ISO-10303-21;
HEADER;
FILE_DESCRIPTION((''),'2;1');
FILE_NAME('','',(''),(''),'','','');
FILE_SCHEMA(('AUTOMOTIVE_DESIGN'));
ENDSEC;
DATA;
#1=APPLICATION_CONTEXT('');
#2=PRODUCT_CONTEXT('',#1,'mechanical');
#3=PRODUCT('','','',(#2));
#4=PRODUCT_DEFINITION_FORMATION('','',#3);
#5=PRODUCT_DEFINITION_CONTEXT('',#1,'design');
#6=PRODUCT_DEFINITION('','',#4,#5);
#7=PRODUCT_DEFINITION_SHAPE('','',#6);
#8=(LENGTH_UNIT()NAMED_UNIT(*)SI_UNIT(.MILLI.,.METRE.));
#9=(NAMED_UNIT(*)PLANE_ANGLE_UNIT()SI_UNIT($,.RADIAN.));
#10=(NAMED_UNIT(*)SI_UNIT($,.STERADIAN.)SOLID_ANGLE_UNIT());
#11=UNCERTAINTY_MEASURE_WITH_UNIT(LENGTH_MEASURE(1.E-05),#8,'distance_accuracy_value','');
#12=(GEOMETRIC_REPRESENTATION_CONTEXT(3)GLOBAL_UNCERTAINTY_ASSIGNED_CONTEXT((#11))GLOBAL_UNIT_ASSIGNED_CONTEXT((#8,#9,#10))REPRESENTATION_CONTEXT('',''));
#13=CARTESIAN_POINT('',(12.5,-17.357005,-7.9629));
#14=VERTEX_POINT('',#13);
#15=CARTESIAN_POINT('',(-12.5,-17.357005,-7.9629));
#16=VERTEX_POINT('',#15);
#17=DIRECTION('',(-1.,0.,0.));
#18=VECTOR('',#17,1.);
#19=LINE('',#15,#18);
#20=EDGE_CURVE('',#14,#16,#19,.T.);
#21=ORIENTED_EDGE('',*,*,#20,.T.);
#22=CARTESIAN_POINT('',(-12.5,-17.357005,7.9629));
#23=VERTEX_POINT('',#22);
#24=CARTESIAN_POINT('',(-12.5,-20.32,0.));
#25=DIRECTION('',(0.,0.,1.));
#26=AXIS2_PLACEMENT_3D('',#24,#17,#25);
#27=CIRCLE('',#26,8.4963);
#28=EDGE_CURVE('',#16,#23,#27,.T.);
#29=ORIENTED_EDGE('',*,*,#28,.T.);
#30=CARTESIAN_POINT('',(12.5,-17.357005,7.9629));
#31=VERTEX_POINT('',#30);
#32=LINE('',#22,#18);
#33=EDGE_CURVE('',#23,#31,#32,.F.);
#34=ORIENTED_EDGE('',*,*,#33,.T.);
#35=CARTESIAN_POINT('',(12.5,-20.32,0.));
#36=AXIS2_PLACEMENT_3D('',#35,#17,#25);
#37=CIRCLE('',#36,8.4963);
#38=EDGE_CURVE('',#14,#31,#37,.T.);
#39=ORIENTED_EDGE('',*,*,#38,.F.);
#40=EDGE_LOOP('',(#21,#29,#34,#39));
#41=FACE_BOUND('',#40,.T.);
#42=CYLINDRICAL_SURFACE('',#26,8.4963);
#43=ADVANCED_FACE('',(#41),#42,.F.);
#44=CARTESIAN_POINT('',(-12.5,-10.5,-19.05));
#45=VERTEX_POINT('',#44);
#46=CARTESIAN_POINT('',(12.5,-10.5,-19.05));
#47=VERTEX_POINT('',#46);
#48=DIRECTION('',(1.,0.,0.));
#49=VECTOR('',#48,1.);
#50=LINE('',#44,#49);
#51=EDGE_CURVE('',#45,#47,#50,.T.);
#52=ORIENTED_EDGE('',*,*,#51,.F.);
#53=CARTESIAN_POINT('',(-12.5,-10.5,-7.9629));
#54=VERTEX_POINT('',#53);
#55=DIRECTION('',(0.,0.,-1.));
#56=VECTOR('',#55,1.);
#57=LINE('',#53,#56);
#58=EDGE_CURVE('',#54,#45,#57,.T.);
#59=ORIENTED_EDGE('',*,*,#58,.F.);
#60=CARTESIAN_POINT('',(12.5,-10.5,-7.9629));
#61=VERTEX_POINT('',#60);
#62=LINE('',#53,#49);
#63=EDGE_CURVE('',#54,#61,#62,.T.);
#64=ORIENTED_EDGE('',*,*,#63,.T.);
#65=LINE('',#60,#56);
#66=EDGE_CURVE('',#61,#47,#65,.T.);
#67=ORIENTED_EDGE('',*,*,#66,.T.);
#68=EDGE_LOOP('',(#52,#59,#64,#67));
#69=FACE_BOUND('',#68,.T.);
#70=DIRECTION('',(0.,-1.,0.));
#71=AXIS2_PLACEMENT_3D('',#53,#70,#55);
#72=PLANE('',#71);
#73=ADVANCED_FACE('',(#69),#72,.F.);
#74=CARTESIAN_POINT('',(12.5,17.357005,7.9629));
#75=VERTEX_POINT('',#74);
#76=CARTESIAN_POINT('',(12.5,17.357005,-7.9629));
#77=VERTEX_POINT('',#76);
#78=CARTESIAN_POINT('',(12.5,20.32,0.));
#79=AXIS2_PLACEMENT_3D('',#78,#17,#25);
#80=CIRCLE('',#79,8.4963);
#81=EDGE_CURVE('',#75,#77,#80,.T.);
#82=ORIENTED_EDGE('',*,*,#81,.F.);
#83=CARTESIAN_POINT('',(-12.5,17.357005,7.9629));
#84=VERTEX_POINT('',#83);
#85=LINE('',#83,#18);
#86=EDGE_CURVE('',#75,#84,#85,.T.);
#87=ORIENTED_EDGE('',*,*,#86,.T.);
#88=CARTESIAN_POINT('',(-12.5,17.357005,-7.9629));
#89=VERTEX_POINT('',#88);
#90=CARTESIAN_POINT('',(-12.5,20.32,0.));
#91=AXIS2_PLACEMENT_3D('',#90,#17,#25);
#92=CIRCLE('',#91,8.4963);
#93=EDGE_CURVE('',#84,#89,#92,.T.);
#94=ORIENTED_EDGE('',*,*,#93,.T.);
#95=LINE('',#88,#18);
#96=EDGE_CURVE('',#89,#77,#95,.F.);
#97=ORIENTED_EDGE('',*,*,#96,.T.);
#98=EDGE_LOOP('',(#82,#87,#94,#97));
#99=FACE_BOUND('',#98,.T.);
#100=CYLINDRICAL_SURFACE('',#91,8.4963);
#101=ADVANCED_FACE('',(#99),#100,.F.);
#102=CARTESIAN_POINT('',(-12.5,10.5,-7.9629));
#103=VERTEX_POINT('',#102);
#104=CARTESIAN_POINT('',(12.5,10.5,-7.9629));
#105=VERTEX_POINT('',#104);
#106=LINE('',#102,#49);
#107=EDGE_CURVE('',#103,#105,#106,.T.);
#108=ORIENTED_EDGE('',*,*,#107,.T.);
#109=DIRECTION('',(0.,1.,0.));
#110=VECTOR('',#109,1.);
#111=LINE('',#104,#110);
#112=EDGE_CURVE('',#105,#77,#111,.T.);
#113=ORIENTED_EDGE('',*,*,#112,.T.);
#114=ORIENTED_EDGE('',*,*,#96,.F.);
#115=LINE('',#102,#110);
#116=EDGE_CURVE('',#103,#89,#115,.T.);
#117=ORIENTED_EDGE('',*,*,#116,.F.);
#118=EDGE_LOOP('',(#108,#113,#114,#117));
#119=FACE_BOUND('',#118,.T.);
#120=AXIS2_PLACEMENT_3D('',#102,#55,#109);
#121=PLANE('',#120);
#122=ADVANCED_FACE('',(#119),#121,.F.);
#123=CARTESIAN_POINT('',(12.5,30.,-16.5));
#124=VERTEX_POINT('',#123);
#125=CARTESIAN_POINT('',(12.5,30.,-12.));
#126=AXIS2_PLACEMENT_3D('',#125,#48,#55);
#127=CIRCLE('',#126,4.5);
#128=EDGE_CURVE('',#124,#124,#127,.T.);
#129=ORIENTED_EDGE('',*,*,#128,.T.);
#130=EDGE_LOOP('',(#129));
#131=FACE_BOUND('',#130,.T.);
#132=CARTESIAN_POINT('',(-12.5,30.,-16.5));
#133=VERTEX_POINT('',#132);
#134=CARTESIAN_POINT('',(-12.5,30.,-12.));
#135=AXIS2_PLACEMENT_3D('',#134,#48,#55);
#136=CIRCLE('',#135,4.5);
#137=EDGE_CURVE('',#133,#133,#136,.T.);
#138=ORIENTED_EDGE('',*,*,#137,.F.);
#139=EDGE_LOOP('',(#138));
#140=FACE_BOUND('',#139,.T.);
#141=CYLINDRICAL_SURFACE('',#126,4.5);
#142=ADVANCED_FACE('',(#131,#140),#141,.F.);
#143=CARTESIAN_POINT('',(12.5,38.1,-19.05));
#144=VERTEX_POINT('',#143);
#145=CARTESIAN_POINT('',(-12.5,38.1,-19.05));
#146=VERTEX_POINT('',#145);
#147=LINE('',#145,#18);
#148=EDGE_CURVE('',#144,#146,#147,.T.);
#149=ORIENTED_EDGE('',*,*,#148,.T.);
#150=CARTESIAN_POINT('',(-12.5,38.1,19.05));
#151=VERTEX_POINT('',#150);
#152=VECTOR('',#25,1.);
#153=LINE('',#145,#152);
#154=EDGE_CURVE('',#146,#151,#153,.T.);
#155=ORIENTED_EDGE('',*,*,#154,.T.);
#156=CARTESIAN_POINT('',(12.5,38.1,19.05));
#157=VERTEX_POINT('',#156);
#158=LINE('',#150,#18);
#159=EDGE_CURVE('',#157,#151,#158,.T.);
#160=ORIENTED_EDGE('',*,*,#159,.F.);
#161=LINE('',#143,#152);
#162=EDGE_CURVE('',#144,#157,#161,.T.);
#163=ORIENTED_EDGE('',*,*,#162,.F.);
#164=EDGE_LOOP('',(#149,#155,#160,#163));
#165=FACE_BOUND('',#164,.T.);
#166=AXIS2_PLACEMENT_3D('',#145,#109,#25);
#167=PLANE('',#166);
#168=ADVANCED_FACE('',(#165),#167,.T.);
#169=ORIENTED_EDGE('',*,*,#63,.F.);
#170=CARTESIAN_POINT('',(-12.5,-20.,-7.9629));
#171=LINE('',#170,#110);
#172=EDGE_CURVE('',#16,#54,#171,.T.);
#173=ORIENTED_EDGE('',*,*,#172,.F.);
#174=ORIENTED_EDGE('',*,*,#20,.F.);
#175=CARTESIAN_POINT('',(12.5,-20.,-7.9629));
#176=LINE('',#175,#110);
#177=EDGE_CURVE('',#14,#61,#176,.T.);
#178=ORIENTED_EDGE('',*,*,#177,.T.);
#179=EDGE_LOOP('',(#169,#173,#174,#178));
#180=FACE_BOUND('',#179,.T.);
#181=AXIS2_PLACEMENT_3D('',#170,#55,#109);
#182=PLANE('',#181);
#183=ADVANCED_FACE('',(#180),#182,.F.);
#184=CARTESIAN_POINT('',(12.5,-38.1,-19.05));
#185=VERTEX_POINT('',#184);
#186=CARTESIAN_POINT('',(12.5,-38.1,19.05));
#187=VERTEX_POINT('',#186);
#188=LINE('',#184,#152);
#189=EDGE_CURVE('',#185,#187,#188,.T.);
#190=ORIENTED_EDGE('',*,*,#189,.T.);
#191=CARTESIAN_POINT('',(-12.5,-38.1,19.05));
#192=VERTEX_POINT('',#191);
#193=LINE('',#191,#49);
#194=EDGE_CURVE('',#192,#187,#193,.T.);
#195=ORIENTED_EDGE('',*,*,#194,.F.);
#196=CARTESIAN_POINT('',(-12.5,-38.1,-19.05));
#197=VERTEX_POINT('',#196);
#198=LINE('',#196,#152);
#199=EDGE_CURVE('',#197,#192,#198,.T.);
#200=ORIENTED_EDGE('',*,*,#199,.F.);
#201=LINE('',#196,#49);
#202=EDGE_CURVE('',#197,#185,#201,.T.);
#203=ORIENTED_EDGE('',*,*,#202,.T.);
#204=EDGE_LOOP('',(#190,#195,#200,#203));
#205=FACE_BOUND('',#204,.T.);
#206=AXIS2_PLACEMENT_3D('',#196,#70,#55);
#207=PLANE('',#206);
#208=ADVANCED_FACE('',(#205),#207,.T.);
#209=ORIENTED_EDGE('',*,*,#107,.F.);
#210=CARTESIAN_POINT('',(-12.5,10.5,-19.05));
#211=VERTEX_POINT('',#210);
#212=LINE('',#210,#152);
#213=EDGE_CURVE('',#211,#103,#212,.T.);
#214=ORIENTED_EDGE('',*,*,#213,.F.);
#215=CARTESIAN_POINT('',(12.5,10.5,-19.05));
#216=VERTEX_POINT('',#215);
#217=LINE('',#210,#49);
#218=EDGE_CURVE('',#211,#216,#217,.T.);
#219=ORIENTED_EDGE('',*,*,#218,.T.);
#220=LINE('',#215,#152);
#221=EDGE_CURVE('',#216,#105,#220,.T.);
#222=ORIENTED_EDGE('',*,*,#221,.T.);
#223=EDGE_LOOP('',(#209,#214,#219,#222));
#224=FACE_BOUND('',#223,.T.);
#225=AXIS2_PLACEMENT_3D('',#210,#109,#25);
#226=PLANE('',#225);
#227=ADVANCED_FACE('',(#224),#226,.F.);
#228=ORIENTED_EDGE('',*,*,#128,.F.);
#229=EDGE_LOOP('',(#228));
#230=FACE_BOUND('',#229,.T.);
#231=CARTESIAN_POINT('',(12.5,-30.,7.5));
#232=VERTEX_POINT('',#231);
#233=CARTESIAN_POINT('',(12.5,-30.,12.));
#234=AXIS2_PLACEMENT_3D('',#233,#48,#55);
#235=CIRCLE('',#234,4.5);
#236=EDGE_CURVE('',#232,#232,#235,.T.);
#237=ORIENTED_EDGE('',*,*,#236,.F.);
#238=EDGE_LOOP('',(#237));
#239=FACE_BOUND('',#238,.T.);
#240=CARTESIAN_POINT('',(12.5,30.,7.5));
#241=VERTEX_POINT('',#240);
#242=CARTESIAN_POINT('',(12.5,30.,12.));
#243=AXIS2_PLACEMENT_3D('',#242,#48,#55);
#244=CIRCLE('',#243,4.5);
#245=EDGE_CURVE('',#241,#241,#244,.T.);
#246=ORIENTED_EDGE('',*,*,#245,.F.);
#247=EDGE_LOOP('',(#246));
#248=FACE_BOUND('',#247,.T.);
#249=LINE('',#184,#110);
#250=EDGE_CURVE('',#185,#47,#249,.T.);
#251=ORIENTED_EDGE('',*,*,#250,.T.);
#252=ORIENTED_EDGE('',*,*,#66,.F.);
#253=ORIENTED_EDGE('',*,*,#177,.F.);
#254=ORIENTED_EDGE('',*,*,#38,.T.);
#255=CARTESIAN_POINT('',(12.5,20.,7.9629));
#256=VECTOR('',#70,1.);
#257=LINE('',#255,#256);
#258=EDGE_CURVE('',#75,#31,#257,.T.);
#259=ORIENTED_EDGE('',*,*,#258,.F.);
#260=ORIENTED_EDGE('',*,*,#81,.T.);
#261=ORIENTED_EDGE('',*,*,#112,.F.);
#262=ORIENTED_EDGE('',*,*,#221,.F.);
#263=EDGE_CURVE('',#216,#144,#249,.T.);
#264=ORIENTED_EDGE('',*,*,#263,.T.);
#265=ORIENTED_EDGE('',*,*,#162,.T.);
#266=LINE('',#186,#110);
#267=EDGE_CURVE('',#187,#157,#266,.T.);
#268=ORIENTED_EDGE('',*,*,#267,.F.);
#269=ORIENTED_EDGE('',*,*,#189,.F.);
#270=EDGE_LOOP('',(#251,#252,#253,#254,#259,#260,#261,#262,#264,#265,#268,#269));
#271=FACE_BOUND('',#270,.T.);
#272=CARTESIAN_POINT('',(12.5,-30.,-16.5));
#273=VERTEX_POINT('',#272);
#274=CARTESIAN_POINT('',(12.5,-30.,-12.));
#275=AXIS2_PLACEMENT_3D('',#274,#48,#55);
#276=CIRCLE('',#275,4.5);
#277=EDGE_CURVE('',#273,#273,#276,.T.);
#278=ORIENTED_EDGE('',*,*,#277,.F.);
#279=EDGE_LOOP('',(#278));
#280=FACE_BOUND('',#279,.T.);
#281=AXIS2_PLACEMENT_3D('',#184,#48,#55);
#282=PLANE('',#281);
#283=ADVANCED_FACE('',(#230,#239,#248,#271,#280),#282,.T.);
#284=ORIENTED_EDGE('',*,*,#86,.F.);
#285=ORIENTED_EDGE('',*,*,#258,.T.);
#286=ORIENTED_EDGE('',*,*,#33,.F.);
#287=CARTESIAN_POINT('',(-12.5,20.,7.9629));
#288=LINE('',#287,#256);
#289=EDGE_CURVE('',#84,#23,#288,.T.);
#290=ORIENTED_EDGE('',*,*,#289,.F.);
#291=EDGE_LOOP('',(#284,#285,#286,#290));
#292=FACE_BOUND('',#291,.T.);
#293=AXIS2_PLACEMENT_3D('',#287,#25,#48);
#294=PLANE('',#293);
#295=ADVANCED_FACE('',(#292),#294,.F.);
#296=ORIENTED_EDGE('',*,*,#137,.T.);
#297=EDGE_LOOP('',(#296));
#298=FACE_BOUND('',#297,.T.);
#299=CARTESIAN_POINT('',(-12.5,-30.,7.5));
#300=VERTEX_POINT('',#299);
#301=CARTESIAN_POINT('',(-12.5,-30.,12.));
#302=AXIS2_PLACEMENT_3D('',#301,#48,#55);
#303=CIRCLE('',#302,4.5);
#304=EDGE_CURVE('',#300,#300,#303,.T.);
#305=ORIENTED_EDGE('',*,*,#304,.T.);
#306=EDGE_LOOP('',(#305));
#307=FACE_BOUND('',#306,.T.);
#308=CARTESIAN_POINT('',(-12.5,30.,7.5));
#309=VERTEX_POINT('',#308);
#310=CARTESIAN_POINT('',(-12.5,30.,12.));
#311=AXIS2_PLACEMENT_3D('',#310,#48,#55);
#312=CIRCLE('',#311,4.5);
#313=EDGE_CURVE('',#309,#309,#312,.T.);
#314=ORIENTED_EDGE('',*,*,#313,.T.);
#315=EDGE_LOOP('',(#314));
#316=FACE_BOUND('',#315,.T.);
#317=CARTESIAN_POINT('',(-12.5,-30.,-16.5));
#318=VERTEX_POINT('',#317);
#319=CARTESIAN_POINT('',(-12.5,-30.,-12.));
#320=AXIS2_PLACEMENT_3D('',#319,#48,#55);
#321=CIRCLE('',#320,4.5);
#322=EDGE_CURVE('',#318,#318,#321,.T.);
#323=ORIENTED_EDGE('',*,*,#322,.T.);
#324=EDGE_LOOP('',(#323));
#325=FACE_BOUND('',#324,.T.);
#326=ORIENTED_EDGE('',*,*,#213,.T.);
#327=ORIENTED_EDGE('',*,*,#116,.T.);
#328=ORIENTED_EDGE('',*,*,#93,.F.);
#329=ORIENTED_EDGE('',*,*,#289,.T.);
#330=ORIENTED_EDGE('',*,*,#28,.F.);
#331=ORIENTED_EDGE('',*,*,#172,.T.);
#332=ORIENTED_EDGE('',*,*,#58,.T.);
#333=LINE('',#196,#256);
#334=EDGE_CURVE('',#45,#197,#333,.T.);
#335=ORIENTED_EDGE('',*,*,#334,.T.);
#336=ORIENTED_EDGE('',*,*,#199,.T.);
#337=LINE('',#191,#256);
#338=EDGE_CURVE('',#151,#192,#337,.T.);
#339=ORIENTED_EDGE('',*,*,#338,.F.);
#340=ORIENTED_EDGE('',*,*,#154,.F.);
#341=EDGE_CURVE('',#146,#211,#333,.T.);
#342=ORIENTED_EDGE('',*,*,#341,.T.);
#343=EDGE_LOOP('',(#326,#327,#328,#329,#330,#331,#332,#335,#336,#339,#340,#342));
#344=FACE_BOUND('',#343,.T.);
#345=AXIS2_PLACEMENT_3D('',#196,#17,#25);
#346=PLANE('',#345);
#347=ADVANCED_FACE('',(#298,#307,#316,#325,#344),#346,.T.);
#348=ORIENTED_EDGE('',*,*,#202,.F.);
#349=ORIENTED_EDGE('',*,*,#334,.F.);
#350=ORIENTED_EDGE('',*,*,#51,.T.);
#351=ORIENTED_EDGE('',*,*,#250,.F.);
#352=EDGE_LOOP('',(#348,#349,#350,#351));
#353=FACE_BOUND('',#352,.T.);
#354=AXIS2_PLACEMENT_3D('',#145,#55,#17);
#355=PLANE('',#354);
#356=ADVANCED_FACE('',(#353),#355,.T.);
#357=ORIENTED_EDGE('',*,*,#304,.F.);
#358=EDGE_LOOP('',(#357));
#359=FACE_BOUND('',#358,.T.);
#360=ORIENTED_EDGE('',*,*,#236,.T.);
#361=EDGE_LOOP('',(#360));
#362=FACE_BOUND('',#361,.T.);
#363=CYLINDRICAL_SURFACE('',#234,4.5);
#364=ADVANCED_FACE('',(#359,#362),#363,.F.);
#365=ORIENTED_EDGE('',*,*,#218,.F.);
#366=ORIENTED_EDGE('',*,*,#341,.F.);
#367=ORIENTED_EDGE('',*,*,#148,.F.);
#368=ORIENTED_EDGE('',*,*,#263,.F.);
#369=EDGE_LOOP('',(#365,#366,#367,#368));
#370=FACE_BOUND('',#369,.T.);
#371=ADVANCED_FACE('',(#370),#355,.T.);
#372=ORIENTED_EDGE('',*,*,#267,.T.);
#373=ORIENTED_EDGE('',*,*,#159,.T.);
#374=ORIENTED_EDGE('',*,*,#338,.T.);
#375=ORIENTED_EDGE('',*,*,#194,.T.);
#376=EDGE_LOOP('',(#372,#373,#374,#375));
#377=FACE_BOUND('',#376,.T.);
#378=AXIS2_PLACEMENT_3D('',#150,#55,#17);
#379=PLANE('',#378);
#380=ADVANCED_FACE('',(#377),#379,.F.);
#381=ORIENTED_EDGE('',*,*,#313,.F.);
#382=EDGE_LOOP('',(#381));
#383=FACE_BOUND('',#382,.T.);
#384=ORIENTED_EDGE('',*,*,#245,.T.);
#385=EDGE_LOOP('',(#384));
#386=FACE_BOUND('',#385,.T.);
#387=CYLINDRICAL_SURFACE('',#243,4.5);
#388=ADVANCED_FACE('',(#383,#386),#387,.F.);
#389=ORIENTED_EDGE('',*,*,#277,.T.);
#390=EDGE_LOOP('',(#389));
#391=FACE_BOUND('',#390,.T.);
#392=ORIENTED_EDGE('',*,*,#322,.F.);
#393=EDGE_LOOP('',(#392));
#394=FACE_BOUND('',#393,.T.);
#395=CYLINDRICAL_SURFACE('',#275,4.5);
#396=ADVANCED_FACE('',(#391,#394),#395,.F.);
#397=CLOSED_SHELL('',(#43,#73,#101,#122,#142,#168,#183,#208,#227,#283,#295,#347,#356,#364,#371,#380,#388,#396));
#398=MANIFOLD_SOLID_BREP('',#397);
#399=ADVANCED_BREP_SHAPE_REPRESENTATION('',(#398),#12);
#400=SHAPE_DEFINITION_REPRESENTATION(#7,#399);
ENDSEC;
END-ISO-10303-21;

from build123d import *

# Parameters (mm, degrees)
SKETCH1_W             = 25
SKETCH1_H             = 76.2
EXTRUDE1_DEPTH        = 19.05
M16_CLEARANCE_HOLE1_D = 16.9926
EXTRUDE3_DEPTH        = 50.39142132
M8_CLEARANCE_HOLE1_D  = 9


with BuildPart() as part:
    # Sketch1 → Extrude1 (new, symmetric)
    with BuildSketch(Plane.XY):
        Rectangle(SKETCH1_W, SKETCH1_H)
    extrude(amount=EXTRUDE1_DEPTH, both=True)

    # M16 Clearance Hole1 (through all)
    with Locations(Plane.ZY.offset(12.5)):
        with Locations((0, -20.32), (0, 20.32)):
            Hole(M16_CLEARANCE_HOLE1_D / 2)

    # Sketch2 → Extrude3 (cut, through all)
    with BuildSketch(Plane(origin=(12.5, 0, 0), x_dir=(0, 0, -1), z_dir=(1, 0, 0))):
        Polygon((19.05, 10.5), (7.9629, 10.5), (7.9629, 20), (-7.9629, 20), (-7.9629, -20), (7.9629, -20), (7.9629, -10.5), (19.05, -10.5), align=None)
    extrude(amount=-EXTRUDE3_DEPTH, mode=Mode.SUBTRACT)

    # M8 Clearance Hole1 (through all)
    with Locations(Plane(origin=(12.5, 0, 0), x_dir=(0, 0, -1), z_dir=(1, 0, 0))):
        with Locations((-12, 30), (12, 30), (12, -30), (-12, -30)):
            Hole(M8_CLEARANCE_HOLE1_D / 2)


solid = part.part
